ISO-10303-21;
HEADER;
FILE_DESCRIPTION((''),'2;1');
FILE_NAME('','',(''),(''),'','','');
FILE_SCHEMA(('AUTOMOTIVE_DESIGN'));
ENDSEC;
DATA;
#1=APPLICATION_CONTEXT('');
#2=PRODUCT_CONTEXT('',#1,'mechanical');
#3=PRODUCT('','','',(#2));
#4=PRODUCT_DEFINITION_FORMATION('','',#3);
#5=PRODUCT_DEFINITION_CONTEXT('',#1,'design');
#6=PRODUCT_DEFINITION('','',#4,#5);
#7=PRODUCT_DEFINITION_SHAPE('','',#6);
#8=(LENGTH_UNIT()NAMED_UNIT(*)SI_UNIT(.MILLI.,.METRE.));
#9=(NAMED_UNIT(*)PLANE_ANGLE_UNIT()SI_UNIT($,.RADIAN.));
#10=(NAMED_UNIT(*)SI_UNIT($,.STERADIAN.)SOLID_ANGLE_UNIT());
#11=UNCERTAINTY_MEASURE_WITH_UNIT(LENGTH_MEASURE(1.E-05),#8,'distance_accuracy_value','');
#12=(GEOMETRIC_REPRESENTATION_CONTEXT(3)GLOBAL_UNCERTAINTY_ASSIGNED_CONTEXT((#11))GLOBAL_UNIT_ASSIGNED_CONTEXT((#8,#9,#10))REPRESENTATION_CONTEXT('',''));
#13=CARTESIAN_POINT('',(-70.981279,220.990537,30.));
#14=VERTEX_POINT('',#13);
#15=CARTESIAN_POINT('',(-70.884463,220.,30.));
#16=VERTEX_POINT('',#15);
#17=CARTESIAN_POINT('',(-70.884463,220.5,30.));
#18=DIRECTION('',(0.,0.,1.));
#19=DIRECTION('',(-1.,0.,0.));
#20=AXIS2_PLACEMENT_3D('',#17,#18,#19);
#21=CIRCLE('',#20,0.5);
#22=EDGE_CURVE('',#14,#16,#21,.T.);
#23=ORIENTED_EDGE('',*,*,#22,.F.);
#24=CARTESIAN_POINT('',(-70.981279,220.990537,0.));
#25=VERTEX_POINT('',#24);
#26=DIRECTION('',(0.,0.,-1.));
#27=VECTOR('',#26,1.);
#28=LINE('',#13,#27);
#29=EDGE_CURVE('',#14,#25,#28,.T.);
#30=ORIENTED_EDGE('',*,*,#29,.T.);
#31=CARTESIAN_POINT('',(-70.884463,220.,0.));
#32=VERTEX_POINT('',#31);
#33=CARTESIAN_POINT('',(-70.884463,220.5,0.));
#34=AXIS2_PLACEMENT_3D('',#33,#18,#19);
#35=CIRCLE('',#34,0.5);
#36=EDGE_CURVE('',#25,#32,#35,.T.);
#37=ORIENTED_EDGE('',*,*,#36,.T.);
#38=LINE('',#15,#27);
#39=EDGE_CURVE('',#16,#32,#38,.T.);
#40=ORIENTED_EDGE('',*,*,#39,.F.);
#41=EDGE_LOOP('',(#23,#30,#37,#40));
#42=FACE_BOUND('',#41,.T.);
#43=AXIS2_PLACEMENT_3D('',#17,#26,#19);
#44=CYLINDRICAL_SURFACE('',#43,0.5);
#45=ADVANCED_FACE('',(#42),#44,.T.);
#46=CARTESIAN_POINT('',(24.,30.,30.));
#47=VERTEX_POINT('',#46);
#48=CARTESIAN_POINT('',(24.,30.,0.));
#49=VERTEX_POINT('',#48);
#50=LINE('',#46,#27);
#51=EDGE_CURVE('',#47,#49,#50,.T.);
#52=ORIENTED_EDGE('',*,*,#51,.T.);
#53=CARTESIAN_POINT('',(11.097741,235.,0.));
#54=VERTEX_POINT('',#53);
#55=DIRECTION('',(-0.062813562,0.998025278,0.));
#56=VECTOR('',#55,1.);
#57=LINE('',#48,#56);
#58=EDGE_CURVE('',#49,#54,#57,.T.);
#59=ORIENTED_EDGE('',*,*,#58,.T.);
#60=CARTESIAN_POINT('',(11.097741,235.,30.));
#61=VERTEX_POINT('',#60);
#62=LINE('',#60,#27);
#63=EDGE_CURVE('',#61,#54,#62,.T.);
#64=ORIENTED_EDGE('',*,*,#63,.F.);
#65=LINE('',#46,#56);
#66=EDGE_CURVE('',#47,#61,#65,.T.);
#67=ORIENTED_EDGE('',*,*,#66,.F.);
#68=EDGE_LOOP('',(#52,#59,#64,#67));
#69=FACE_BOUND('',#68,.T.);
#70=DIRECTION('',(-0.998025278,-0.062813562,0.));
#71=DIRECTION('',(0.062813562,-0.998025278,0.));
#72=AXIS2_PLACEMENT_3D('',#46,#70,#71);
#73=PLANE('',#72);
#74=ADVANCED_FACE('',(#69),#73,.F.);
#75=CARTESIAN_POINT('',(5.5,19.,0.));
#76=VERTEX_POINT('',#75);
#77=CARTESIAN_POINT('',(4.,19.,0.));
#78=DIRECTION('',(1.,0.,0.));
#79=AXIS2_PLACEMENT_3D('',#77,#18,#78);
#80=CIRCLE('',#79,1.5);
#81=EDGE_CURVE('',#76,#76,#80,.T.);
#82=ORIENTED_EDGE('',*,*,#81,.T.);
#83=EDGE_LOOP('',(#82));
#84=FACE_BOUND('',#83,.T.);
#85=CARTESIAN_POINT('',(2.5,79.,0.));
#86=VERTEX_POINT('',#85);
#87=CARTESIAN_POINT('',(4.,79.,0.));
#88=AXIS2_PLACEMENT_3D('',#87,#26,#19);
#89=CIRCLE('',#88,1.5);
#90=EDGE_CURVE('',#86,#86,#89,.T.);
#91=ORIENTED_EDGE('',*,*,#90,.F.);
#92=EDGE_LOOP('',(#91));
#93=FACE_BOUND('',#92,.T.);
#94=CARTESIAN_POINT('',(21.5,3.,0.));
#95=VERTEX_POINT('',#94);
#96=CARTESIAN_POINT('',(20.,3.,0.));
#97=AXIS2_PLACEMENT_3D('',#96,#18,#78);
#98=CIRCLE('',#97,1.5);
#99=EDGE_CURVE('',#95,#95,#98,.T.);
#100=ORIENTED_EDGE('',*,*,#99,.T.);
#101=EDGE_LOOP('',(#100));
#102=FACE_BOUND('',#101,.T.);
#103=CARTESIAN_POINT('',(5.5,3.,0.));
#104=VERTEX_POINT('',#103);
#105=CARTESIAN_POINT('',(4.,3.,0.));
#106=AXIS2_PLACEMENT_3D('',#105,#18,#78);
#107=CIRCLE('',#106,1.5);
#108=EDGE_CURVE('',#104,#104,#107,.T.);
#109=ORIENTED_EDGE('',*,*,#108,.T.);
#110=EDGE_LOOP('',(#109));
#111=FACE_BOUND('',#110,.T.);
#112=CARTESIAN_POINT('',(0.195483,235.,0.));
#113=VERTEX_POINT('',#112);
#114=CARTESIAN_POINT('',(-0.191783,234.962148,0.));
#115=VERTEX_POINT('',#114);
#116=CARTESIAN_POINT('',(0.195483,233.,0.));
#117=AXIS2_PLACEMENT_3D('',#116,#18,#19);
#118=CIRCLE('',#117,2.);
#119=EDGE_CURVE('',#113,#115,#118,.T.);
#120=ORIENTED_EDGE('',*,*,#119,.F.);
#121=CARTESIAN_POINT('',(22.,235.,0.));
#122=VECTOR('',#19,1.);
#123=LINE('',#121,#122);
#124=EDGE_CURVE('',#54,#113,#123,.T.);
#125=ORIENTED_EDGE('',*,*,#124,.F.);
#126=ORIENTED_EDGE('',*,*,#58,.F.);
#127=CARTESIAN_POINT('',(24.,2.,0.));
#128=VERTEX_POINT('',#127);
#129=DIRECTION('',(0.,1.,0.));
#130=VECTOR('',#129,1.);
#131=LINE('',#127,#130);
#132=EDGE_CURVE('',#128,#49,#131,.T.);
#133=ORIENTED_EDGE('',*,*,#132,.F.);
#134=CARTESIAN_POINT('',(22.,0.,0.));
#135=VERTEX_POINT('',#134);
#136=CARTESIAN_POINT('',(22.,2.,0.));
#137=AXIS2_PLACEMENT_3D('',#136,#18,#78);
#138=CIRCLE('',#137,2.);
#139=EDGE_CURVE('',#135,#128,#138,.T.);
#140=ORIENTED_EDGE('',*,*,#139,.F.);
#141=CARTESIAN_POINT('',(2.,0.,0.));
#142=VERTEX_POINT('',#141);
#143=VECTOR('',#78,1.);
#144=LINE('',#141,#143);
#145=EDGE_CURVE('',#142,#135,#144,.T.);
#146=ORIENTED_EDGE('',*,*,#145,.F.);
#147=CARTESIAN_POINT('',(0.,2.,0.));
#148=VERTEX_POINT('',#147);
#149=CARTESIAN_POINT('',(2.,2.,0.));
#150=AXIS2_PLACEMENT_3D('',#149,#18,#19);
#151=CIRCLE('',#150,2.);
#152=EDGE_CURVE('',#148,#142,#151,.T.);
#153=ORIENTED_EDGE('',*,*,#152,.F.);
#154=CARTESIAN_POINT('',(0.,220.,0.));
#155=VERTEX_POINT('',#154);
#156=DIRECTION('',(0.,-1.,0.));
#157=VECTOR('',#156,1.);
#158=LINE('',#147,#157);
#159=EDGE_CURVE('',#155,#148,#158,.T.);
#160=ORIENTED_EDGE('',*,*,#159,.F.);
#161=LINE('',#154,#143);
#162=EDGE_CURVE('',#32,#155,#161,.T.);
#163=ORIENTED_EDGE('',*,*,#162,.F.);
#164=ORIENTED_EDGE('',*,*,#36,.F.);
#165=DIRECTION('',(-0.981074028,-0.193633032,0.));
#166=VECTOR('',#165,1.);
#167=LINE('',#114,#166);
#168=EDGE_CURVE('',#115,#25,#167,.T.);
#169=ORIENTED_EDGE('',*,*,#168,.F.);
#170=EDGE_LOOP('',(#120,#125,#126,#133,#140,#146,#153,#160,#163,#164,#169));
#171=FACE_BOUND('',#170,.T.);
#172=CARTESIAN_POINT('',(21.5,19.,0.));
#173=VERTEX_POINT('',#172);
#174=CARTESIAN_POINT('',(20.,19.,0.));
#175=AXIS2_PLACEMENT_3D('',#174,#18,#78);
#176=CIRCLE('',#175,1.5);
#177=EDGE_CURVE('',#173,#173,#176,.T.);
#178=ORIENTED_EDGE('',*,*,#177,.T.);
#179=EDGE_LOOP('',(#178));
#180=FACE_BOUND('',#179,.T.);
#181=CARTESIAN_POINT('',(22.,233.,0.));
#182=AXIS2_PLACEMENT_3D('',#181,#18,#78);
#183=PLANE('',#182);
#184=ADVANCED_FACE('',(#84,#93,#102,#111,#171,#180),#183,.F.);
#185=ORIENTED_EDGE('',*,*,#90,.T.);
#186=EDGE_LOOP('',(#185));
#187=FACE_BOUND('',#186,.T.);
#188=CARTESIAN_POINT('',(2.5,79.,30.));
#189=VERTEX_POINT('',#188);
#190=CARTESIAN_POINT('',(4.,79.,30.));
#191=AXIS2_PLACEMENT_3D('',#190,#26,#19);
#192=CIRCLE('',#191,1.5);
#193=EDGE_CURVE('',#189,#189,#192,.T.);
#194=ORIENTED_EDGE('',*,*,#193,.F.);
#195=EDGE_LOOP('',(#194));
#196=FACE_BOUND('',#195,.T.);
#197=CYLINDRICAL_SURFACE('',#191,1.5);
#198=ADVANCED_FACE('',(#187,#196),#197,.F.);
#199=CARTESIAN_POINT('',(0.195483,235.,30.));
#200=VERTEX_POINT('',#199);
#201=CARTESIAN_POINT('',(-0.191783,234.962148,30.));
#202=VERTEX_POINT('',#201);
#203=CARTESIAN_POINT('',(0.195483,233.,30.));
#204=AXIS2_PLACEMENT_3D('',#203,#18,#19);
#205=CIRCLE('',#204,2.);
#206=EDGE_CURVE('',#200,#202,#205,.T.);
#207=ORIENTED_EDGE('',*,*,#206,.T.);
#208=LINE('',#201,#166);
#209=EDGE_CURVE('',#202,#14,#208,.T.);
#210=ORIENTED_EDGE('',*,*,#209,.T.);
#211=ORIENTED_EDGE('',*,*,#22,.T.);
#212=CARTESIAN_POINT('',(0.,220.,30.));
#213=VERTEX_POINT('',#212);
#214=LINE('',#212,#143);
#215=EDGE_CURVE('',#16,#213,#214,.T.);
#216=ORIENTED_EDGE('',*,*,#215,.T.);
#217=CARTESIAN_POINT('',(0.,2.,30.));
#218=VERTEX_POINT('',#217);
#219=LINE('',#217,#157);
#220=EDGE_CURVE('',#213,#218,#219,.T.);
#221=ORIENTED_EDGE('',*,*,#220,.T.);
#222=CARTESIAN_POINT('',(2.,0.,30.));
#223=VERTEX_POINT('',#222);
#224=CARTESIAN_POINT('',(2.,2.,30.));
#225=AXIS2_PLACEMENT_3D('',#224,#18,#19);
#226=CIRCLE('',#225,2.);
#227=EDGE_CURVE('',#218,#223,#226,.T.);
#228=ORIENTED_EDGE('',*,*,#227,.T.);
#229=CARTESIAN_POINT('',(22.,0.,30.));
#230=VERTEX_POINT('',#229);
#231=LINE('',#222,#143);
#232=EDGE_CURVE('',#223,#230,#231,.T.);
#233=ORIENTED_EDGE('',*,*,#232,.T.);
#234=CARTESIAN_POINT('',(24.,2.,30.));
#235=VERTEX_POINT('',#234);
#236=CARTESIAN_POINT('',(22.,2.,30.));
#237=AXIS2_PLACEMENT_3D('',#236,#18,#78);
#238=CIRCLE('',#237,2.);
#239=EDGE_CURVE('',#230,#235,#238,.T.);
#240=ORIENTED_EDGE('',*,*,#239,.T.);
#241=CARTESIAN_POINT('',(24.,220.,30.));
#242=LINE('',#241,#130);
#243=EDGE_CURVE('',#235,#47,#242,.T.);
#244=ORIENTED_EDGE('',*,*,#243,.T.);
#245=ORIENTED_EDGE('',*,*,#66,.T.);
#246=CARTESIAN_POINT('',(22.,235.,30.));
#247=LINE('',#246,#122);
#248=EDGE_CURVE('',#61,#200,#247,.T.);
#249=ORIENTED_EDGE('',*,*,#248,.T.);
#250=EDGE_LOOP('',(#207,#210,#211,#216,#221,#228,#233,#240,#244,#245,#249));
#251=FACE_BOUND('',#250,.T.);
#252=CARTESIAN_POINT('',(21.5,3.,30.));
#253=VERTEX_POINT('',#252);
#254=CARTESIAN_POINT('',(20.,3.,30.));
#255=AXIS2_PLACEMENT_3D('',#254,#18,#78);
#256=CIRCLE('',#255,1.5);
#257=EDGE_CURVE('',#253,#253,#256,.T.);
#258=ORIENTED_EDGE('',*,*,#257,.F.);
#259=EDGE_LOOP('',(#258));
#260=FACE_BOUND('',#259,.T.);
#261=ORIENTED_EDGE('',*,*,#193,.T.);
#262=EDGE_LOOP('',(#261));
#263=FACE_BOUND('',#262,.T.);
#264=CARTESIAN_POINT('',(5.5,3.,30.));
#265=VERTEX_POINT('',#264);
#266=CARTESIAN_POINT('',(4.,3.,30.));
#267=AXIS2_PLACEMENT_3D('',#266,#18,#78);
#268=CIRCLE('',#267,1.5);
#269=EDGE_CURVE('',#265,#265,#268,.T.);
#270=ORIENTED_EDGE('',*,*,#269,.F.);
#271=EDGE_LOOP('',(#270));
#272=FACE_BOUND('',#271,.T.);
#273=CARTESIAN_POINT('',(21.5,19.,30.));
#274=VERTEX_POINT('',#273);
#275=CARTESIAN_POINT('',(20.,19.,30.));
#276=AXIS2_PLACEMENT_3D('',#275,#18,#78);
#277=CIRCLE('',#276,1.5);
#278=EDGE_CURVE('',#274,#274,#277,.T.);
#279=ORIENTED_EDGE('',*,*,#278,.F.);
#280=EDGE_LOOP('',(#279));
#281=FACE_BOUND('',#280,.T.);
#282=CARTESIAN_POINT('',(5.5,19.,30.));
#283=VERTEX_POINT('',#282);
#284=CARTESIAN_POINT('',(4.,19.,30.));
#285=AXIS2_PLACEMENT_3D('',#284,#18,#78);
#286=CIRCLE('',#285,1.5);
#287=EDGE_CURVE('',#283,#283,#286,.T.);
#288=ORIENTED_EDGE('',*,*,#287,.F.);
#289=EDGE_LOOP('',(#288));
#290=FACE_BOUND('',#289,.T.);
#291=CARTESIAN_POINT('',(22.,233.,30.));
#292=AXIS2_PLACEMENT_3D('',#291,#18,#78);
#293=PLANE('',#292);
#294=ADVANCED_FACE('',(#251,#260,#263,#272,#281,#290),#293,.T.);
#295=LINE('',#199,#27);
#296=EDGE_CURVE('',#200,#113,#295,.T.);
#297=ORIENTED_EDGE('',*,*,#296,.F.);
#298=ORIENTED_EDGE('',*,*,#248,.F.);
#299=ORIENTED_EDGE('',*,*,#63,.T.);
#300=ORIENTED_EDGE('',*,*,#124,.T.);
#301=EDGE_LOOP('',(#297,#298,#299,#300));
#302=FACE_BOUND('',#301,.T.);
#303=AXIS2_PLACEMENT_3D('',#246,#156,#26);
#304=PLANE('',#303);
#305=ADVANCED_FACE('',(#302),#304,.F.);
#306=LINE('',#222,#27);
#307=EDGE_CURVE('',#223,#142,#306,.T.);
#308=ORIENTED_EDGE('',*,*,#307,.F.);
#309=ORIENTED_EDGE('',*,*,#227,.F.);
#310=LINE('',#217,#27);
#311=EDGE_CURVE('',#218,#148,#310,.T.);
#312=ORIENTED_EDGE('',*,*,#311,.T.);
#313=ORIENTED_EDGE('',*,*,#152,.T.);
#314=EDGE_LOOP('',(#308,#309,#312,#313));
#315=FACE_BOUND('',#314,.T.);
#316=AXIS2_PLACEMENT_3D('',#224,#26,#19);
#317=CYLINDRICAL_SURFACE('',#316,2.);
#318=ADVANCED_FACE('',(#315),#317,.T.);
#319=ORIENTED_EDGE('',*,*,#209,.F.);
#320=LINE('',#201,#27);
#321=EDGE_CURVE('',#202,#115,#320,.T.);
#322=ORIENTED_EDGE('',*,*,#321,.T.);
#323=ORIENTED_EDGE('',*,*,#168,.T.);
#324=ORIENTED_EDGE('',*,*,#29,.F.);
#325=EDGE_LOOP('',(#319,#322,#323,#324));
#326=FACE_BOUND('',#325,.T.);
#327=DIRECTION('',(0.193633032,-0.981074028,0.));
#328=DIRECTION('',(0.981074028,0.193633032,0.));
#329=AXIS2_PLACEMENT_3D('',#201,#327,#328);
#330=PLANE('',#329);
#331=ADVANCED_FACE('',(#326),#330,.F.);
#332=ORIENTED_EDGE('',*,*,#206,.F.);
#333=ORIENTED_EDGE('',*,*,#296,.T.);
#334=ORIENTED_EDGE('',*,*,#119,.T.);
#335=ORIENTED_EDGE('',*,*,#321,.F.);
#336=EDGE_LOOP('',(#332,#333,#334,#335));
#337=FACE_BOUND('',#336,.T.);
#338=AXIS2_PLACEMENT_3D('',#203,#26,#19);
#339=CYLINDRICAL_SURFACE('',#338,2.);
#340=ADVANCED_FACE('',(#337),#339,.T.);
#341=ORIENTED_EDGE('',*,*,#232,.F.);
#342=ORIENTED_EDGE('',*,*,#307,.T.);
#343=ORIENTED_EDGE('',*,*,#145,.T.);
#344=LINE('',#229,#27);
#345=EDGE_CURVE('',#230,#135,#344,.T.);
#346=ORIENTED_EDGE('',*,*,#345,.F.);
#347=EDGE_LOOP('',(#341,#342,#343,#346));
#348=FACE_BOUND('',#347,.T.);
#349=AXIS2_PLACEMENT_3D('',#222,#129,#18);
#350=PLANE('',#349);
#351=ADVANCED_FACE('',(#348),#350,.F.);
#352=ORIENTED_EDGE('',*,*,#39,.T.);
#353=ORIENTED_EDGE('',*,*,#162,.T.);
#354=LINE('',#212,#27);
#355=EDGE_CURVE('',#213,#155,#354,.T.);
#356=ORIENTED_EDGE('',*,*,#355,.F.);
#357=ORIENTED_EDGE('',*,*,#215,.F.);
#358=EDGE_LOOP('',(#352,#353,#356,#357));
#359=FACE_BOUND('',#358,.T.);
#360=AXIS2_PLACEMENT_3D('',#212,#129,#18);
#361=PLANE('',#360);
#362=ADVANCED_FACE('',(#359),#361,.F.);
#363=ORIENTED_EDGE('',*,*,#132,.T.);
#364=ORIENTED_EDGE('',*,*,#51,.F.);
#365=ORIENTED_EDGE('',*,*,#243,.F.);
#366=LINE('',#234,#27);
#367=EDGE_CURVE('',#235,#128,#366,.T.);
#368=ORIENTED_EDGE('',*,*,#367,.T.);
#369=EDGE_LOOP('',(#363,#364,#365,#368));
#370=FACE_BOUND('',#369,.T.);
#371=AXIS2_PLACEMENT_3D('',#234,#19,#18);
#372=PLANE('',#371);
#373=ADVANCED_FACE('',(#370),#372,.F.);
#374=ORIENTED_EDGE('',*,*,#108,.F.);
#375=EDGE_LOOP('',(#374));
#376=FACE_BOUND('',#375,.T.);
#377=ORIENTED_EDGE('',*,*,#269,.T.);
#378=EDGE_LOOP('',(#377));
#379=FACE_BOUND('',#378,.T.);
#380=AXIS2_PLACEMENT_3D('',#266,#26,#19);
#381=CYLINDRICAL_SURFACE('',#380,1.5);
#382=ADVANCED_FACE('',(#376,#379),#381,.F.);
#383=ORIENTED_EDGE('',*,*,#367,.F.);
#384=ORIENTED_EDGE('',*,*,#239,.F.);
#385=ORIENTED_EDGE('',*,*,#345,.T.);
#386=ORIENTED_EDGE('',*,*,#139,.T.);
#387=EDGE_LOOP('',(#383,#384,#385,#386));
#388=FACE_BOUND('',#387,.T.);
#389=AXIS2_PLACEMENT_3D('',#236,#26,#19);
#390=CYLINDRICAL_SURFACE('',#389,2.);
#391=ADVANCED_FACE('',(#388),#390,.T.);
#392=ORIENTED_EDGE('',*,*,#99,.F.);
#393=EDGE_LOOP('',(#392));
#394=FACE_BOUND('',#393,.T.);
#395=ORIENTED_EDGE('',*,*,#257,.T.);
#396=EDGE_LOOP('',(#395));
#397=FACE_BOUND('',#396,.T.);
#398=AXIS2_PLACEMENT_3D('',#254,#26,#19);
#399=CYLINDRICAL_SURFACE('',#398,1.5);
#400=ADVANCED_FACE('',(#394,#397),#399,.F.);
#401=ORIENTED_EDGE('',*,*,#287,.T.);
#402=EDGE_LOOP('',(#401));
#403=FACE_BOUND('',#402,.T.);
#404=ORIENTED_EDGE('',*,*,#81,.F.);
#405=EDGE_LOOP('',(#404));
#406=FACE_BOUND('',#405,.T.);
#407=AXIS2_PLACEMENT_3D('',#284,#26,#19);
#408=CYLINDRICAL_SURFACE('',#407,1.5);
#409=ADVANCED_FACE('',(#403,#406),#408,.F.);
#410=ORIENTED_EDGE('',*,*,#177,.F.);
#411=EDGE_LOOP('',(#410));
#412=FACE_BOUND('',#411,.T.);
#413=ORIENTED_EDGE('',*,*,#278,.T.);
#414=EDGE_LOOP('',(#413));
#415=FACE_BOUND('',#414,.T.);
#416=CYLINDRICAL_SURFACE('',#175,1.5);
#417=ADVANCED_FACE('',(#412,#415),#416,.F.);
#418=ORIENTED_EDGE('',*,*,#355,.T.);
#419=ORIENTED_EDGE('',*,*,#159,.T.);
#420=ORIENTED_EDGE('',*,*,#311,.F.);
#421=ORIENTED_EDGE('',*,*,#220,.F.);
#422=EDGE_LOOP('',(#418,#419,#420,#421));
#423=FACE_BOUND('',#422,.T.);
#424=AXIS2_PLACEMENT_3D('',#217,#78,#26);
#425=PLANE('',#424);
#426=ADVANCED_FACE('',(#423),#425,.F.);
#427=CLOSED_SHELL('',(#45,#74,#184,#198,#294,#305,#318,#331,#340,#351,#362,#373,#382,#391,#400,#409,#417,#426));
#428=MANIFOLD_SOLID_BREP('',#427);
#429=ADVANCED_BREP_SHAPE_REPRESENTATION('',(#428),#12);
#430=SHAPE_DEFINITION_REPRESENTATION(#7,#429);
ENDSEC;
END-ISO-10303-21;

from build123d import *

# Parameters (mm, degrees)
SKETCH_1_R          = 1.5
EXTRUDE_1_DEPTH     = 30
SKETCH_2_R          = 1.5
CUT_EXTRUDE_1_DEPTH = 248.428255263
CUT_EXTRUDE_2_DEPTH = 248.428255263
SKETCH_4_R          = 1.5
CUT_EXTRUDE_3_DEPTH = 248.428255263


with BuildPart() as part:
    # 草图1 → 凸台-拉伸1 (new body)
    with BuildSketch(Plane.XY):
        with BuildLine():
            Line((2, 0), (22, 0))
            ThreePointArc((22, 0), (23.414213562, 0.585786438), (24, 2))
            Line((24, 2), (24, 220))
            Line((24, 220), (24, 233))
            ThreePointArc((24, 233), (23.414213562, 234.414213562), (22, 235))
            Line((22, 235), (0.195482884, 235))
            ThreePointArc((0.195482884, 235), (0.000927124, 234.990514521), (-0.19178318, 234.962148057))
            Line((-0.19178318, 234.962148057), (-70.981279128, 220.990537014))
            ThreePointArc((-70.981279128, 220.990537014), (-71.382091243, 220.45136106), (-70.884462612, 220))
            Line((-70.884462612, 220), (0, 220))
            Line((0, 220), (0, 2))
            ThreePointArc((0, 2), (0.585786438, 0.585786438), (2, 0))
        make_face()
        with Locations((20, 3)):
            Circle(SKETCH_1_R, mode=Mode.SUBTRACT)
        with Locations((4, 3)):
            Circle(SKETCH_1_R, mode=Mode.SUBTRACT)
        with Locations((4, 19)):
            Circle(SKETCH_1_R, mode=Mode.SUBTRACT)
    extrude(amount=EXTRUDE_1_DEPTH)

    # 草图2 → 切除-拉伸1 (cut, through all)
    with BuildSketch(Plane.XY.offset(30)):
        with Locations((20, 19)):
            Circle(SKETCH_2_R)
    extrude(amount=-CUT_EXTRUDE_1_DEPTH, mode=Mode.SUBTRACT)

    # 草图3 → 切除-拉伸2 (cut, through all)
    with BuildSketch(Plane(origin=(0, 0, 0), x_dir=(-1, 0, 0), z_dir=(0, 0, -1))):
        Polygon((-24, 30), (-11.097741442, 235), (-26.866932521, 235), align=None)
    extrude(amount=-CUT_EXTRUDE_2_DEPTH, mode=Mode.SUBTRACT)

    # 草图4 → 切除-拉伸3 (cut, through all)
    with BuildSketch(Plane(origin=(0, 0, 0), x_dir=(-1, 0, 0), z_dir=(0, 0, -1))):
        with Locations((-4, 79)):
            Circle(SKETCH_4_R)
    extrude(amount=-CUT_EXTRUDE_3_DEPTH, mode=Mode.SUBTRACT)


solid = part.part
